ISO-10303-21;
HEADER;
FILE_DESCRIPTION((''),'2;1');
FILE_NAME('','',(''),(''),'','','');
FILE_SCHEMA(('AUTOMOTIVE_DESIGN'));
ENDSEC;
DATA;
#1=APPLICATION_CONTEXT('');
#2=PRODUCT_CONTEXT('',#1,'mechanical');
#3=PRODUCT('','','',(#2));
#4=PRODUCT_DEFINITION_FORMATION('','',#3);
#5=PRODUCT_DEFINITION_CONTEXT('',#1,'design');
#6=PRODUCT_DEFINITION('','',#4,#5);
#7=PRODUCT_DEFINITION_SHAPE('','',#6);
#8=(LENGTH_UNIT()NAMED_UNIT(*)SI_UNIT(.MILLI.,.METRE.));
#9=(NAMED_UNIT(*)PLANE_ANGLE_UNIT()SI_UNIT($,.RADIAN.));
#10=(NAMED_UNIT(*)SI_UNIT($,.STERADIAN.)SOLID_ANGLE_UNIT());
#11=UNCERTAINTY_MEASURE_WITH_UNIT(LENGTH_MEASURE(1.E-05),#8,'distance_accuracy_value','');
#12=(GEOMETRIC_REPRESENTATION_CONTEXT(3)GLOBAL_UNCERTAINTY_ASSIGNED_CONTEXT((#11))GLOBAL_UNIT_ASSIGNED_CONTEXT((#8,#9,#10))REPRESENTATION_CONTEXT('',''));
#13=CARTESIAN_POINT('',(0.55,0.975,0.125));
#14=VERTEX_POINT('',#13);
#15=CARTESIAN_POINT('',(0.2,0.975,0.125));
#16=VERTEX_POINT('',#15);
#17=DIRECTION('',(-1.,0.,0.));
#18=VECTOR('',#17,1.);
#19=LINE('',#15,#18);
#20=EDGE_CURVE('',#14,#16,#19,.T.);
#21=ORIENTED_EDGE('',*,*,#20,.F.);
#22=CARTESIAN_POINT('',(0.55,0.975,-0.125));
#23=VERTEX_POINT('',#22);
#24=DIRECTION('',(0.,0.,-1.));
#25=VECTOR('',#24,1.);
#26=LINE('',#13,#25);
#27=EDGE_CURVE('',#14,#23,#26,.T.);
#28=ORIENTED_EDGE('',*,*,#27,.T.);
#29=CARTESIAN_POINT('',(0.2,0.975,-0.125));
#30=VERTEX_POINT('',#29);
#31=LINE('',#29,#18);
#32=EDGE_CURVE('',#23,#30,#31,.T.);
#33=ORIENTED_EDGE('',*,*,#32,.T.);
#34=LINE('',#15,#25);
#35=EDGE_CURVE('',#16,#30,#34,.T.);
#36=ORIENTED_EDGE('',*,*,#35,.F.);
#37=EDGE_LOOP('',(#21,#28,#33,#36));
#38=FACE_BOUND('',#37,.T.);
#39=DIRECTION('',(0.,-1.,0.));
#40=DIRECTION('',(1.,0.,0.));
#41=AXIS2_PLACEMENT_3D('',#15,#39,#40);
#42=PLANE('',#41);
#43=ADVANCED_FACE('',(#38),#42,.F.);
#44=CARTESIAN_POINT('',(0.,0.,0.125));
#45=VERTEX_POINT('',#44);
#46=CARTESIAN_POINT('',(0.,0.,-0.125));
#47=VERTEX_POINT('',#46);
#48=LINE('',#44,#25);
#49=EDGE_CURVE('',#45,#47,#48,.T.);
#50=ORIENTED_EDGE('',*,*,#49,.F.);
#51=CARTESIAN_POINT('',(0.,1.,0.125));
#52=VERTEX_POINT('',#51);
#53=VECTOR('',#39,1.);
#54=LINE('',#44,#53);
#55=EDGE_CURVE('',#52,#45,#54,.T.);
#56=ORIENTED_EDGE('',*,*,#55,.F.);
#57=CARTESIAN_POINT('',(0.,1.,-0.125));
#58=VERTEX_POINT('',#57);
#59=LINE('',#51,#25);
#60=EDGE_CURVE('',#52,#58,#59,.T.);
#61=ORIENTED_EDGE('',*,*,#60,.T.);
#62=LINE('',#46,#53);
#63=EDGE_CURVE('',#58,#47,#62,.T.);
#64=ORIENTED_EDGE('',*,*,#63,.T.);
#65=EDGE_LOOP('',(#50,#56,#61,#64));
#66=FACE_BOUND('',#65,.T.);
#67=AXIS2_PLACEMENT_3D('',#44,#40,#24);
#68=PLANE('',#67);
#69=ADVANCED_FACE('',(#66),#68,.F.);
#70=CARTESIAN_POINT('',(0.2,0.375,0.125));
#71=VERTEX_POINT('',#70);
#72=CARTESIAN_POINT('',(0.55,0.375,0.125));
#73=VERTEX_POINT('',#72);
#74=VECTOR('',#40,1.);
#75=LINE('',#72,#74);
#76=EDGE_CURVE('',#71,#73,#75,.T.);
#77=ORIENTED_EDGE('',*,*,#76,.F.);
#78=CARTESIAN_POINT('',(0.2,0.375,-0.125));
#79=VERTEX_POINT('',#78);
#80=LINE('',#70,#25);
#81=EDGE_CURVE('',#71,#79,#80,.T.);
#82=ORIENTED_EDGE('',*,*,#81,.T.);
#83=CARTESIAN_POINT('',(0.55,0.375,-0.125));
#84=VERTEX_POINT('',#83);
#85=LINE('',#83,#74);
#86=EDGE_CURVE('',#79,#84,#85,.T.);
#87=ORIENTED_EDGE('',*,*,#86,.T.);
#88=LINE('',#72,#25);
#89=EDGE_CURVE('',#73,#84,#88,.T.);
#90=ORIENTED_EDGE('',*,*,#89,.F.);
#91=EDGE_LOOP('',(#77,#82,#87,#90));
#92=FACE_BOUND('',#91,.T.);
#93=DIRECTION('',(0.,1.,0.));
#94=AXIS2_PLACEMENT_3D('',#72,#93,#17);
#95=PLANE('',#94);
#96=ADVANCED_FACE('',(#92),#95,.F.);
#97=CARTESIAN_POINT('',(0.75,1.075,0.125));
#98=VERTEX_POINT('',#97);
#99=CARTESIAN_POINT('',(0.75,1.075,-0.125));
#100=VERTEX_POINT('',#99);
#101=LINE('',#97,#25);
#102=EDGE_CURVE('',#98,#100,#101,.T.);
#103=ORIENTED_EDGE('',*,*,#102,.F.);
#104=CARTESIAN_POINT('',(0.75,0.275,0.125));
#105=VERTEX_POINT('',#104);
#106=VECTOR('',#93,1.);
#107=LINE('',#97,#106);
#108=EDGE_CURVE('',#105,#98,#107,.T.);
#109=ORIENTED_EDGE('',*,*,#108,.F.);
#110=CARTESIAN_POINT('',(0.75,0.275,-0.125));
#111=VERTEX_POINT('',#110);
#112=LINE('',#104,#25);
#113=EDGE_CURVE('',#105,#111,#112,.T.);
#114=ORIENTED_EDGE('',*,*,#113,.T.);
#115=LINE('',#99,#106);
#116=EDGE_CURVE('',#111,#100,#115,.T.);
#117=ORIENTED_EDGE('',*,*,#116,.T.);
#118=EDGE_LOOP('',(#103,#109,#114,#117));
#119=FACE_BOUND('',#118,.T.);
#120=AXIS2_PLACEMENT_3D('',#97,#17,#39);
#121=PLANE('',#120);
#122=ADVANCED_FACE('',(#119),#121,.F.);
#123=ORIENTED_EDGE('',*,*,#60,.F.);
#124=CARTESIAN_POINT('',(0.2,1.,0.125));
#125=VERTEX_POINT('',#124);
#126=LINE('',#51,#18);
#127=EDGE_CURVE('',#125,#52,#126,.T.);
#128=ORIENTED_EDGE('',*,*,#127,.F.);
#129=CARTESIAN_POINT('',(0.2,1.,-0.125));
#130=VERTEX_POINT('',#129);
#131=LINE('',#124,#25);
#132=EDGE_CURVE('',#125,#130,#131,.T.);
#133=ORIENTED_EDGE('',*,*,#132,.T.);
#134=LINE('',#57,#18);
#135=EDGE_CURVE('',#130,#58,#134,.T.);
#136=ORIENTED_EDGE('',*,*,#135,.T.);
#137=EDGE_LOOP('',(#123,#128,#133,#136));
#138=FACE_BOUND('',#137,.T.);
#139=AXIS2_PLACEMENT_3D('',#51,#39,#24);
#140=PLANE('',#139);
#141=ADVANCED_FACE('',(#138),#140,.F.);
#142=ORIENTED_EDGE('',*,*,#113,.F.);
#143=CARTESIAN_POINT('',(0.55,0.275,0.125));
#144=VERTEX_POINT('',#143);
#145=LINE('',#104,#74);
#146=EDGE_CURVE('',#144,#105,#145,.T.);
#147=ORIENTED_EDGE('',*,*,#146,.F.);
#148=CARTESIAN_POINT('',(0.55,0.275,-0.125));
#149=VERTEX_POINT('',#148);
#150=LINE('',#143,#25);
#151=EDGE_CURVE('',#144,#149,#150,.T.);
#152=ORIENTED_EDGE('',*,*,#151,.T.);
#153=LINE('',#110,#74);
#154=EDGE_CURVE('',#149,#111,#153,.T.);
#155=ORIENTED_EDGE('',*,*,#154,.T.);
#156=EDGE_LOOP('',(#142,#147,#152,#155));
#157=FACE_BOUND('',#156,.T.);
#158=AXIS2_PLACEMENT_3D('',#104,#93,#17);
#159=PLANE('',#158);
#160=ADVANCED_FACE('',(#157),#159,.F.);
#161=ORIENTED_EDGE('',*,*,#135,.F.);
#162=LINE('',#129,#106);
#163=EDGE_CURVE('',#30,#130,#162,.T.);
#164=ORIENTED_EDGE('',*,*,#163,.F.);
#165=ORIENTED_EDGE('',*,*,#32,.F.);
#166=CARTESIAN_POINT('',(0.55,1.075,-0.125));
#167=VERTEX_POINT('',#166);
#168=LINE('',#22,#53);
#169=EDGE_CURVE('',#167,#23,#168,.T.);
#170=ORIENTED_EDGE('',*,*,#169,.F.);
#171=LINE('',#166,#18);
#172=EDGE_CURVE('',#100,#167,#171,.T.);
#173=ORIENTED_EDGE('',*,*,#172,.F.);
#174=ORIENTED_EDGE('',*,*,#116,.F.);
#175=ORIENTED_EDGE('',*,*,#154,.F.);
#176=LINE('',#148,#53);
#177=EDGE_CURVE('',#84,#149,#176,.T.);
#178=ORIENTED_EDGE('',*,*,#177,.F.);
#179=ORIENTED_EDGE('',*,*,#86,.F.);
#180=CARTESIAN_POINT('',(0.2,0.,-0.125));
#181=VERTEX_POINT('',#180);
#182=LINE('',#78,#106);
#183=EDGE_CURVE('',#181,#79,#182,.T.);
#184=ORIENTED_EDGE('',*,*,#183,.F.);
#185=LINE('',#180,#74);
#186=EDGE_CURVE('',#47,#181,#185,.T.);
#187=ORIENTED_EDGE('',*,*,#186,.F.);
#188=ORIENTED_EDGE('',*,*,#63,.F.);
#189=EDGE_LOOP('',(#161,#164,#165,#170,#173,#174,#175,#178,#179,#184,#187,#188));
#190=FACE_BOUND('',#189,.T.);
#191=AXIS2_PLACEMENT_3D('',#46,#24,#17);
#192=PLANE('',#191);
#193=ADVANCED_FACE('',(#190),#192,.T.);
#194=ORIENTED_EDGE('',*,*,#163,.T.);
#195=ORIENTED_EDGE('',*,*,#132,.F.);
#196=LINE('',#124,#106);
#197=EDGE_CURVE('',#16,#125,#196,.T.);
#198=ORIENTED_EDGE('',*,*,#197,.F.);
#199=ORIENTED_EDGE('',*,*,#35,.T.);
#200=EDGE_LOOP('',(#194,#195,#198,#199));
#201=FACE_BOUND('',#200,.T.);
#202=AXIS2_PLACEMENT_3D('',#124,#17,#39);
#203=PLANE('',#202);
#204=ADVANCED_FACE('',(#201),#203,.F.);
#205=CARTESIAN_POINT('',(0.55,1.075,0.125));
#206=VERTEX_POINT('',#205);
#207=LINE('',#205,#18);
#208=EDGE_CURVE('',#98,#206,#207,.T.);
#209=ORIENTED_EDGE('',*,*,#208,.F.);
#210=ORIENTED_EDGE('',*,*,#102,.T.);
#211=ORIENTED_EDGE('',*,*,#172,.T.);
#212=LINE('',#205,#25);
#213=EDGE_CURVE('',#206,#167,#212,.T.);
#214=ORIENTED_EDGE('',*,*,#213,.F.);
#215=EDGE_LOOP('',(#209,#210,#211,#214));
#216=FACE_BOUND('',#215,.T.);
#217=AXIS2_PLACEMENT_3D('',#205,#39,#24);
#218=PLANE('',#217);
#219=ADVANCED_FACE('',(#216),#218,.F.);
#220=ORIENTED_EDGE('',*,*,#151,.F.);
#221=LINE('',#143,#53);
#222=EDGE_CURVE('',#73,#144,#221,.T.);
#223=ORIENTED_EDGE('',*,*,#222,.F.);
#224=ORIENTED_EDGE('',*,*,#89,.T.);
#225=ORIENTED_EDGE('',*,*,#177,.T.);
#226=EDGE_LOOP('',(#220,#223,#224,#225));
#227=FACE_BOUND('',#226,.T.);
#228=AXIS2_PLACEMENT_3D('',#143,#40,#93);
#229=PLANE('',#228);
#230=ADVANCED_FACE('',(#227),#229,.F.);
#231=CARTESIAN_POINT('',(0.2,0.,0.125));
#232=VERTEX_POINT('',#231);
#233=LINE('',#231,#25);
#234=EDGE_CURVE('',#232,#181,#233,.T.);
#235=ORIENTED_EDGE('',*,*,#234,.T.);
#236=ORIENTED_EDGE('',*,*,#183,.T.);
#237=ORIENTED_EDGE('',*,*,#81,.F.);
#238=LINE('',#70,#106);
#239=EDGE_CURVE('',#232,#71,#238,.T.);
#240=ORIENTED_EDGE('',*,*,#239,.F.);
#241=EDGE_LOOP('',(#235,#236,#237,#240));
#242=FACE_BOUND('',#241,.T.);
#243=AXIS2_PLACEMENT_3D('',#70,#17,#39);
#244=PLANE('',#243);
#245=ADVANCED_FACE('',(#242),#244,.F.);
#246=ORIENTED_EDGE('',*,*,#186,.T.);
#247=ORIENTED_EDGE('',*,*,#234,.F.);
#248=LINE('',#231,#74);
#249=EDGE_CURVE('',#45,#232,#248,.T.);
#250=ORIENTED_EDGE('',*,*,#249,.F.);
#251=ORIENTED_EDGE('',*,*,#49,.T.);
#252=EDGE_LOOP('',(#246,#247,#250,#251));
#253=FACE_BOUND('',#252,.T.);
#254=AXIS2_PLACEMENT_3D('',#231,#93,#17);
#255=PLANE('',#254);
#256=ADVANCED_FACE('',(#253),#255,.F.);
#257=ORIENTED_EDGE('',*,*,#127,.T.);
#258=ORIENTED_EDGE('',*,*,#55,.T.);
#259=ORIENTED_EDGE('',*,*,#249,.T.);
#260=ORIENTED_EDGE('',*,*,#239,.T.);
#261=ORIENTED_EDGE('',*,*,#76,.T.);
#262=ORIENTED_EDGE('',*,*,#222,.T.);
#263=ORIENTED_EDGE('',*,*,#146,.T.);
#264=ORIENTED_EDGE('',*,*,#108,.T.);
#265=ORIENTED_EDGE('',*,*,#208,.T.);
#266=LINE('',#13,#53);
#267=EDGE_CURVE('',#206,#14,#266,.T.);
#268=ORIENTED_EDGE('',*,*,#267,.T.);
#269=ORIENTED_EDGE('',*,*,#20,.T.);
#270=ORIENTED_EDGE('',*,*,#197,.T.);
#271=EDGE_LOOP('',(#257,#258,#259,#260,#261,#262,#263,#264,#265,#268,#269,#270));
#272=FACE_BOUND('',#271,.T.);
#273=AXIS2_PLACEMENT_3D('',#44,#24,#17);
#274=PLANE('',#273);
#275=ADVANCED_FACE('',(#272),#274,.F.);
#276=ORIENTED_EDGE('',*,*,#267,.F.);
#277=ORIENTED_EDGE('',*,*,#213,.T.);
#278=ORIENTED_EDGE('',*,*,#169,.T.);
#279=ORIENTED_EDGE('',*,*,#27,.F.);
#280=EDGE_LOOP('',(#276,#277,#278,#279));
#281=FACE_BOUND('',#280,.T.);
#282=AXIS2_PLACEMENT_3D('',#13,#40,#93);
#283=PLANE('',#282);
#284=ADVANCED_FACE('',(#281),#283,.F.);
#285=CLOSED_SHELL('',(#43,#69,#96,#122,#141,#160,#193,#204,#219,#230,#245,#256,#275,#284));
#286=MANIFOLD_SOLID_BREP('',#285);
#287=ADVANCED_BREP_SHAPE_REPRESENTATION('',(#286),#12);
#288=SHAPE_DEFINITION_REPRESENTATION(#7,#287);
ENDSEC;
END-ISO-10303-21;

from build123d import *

# Parameters (mm, degrees)
BOSS_EXTRUDE1_DEPTH = 0.125


with BuildPart() as part:
    # frame_outline → Boss-Extrude1 (new, symmetric)
    with BuildSketch(Plane.XY):
        Polygon((0, 0), (0, 1), (0.2, 1), (0.2, 0.975), (0.55, 0.975), (0.55, 1.075), (0.75, 1.075), (0.75, 0.275), (0.55, 0.275), (0.55, 0.375), (0.2, 0.375), (0.2, 0), align=None)
    extrude(amount=BOSS_EXTRUDE1_DEPTH, both=True)


solid = part.part
